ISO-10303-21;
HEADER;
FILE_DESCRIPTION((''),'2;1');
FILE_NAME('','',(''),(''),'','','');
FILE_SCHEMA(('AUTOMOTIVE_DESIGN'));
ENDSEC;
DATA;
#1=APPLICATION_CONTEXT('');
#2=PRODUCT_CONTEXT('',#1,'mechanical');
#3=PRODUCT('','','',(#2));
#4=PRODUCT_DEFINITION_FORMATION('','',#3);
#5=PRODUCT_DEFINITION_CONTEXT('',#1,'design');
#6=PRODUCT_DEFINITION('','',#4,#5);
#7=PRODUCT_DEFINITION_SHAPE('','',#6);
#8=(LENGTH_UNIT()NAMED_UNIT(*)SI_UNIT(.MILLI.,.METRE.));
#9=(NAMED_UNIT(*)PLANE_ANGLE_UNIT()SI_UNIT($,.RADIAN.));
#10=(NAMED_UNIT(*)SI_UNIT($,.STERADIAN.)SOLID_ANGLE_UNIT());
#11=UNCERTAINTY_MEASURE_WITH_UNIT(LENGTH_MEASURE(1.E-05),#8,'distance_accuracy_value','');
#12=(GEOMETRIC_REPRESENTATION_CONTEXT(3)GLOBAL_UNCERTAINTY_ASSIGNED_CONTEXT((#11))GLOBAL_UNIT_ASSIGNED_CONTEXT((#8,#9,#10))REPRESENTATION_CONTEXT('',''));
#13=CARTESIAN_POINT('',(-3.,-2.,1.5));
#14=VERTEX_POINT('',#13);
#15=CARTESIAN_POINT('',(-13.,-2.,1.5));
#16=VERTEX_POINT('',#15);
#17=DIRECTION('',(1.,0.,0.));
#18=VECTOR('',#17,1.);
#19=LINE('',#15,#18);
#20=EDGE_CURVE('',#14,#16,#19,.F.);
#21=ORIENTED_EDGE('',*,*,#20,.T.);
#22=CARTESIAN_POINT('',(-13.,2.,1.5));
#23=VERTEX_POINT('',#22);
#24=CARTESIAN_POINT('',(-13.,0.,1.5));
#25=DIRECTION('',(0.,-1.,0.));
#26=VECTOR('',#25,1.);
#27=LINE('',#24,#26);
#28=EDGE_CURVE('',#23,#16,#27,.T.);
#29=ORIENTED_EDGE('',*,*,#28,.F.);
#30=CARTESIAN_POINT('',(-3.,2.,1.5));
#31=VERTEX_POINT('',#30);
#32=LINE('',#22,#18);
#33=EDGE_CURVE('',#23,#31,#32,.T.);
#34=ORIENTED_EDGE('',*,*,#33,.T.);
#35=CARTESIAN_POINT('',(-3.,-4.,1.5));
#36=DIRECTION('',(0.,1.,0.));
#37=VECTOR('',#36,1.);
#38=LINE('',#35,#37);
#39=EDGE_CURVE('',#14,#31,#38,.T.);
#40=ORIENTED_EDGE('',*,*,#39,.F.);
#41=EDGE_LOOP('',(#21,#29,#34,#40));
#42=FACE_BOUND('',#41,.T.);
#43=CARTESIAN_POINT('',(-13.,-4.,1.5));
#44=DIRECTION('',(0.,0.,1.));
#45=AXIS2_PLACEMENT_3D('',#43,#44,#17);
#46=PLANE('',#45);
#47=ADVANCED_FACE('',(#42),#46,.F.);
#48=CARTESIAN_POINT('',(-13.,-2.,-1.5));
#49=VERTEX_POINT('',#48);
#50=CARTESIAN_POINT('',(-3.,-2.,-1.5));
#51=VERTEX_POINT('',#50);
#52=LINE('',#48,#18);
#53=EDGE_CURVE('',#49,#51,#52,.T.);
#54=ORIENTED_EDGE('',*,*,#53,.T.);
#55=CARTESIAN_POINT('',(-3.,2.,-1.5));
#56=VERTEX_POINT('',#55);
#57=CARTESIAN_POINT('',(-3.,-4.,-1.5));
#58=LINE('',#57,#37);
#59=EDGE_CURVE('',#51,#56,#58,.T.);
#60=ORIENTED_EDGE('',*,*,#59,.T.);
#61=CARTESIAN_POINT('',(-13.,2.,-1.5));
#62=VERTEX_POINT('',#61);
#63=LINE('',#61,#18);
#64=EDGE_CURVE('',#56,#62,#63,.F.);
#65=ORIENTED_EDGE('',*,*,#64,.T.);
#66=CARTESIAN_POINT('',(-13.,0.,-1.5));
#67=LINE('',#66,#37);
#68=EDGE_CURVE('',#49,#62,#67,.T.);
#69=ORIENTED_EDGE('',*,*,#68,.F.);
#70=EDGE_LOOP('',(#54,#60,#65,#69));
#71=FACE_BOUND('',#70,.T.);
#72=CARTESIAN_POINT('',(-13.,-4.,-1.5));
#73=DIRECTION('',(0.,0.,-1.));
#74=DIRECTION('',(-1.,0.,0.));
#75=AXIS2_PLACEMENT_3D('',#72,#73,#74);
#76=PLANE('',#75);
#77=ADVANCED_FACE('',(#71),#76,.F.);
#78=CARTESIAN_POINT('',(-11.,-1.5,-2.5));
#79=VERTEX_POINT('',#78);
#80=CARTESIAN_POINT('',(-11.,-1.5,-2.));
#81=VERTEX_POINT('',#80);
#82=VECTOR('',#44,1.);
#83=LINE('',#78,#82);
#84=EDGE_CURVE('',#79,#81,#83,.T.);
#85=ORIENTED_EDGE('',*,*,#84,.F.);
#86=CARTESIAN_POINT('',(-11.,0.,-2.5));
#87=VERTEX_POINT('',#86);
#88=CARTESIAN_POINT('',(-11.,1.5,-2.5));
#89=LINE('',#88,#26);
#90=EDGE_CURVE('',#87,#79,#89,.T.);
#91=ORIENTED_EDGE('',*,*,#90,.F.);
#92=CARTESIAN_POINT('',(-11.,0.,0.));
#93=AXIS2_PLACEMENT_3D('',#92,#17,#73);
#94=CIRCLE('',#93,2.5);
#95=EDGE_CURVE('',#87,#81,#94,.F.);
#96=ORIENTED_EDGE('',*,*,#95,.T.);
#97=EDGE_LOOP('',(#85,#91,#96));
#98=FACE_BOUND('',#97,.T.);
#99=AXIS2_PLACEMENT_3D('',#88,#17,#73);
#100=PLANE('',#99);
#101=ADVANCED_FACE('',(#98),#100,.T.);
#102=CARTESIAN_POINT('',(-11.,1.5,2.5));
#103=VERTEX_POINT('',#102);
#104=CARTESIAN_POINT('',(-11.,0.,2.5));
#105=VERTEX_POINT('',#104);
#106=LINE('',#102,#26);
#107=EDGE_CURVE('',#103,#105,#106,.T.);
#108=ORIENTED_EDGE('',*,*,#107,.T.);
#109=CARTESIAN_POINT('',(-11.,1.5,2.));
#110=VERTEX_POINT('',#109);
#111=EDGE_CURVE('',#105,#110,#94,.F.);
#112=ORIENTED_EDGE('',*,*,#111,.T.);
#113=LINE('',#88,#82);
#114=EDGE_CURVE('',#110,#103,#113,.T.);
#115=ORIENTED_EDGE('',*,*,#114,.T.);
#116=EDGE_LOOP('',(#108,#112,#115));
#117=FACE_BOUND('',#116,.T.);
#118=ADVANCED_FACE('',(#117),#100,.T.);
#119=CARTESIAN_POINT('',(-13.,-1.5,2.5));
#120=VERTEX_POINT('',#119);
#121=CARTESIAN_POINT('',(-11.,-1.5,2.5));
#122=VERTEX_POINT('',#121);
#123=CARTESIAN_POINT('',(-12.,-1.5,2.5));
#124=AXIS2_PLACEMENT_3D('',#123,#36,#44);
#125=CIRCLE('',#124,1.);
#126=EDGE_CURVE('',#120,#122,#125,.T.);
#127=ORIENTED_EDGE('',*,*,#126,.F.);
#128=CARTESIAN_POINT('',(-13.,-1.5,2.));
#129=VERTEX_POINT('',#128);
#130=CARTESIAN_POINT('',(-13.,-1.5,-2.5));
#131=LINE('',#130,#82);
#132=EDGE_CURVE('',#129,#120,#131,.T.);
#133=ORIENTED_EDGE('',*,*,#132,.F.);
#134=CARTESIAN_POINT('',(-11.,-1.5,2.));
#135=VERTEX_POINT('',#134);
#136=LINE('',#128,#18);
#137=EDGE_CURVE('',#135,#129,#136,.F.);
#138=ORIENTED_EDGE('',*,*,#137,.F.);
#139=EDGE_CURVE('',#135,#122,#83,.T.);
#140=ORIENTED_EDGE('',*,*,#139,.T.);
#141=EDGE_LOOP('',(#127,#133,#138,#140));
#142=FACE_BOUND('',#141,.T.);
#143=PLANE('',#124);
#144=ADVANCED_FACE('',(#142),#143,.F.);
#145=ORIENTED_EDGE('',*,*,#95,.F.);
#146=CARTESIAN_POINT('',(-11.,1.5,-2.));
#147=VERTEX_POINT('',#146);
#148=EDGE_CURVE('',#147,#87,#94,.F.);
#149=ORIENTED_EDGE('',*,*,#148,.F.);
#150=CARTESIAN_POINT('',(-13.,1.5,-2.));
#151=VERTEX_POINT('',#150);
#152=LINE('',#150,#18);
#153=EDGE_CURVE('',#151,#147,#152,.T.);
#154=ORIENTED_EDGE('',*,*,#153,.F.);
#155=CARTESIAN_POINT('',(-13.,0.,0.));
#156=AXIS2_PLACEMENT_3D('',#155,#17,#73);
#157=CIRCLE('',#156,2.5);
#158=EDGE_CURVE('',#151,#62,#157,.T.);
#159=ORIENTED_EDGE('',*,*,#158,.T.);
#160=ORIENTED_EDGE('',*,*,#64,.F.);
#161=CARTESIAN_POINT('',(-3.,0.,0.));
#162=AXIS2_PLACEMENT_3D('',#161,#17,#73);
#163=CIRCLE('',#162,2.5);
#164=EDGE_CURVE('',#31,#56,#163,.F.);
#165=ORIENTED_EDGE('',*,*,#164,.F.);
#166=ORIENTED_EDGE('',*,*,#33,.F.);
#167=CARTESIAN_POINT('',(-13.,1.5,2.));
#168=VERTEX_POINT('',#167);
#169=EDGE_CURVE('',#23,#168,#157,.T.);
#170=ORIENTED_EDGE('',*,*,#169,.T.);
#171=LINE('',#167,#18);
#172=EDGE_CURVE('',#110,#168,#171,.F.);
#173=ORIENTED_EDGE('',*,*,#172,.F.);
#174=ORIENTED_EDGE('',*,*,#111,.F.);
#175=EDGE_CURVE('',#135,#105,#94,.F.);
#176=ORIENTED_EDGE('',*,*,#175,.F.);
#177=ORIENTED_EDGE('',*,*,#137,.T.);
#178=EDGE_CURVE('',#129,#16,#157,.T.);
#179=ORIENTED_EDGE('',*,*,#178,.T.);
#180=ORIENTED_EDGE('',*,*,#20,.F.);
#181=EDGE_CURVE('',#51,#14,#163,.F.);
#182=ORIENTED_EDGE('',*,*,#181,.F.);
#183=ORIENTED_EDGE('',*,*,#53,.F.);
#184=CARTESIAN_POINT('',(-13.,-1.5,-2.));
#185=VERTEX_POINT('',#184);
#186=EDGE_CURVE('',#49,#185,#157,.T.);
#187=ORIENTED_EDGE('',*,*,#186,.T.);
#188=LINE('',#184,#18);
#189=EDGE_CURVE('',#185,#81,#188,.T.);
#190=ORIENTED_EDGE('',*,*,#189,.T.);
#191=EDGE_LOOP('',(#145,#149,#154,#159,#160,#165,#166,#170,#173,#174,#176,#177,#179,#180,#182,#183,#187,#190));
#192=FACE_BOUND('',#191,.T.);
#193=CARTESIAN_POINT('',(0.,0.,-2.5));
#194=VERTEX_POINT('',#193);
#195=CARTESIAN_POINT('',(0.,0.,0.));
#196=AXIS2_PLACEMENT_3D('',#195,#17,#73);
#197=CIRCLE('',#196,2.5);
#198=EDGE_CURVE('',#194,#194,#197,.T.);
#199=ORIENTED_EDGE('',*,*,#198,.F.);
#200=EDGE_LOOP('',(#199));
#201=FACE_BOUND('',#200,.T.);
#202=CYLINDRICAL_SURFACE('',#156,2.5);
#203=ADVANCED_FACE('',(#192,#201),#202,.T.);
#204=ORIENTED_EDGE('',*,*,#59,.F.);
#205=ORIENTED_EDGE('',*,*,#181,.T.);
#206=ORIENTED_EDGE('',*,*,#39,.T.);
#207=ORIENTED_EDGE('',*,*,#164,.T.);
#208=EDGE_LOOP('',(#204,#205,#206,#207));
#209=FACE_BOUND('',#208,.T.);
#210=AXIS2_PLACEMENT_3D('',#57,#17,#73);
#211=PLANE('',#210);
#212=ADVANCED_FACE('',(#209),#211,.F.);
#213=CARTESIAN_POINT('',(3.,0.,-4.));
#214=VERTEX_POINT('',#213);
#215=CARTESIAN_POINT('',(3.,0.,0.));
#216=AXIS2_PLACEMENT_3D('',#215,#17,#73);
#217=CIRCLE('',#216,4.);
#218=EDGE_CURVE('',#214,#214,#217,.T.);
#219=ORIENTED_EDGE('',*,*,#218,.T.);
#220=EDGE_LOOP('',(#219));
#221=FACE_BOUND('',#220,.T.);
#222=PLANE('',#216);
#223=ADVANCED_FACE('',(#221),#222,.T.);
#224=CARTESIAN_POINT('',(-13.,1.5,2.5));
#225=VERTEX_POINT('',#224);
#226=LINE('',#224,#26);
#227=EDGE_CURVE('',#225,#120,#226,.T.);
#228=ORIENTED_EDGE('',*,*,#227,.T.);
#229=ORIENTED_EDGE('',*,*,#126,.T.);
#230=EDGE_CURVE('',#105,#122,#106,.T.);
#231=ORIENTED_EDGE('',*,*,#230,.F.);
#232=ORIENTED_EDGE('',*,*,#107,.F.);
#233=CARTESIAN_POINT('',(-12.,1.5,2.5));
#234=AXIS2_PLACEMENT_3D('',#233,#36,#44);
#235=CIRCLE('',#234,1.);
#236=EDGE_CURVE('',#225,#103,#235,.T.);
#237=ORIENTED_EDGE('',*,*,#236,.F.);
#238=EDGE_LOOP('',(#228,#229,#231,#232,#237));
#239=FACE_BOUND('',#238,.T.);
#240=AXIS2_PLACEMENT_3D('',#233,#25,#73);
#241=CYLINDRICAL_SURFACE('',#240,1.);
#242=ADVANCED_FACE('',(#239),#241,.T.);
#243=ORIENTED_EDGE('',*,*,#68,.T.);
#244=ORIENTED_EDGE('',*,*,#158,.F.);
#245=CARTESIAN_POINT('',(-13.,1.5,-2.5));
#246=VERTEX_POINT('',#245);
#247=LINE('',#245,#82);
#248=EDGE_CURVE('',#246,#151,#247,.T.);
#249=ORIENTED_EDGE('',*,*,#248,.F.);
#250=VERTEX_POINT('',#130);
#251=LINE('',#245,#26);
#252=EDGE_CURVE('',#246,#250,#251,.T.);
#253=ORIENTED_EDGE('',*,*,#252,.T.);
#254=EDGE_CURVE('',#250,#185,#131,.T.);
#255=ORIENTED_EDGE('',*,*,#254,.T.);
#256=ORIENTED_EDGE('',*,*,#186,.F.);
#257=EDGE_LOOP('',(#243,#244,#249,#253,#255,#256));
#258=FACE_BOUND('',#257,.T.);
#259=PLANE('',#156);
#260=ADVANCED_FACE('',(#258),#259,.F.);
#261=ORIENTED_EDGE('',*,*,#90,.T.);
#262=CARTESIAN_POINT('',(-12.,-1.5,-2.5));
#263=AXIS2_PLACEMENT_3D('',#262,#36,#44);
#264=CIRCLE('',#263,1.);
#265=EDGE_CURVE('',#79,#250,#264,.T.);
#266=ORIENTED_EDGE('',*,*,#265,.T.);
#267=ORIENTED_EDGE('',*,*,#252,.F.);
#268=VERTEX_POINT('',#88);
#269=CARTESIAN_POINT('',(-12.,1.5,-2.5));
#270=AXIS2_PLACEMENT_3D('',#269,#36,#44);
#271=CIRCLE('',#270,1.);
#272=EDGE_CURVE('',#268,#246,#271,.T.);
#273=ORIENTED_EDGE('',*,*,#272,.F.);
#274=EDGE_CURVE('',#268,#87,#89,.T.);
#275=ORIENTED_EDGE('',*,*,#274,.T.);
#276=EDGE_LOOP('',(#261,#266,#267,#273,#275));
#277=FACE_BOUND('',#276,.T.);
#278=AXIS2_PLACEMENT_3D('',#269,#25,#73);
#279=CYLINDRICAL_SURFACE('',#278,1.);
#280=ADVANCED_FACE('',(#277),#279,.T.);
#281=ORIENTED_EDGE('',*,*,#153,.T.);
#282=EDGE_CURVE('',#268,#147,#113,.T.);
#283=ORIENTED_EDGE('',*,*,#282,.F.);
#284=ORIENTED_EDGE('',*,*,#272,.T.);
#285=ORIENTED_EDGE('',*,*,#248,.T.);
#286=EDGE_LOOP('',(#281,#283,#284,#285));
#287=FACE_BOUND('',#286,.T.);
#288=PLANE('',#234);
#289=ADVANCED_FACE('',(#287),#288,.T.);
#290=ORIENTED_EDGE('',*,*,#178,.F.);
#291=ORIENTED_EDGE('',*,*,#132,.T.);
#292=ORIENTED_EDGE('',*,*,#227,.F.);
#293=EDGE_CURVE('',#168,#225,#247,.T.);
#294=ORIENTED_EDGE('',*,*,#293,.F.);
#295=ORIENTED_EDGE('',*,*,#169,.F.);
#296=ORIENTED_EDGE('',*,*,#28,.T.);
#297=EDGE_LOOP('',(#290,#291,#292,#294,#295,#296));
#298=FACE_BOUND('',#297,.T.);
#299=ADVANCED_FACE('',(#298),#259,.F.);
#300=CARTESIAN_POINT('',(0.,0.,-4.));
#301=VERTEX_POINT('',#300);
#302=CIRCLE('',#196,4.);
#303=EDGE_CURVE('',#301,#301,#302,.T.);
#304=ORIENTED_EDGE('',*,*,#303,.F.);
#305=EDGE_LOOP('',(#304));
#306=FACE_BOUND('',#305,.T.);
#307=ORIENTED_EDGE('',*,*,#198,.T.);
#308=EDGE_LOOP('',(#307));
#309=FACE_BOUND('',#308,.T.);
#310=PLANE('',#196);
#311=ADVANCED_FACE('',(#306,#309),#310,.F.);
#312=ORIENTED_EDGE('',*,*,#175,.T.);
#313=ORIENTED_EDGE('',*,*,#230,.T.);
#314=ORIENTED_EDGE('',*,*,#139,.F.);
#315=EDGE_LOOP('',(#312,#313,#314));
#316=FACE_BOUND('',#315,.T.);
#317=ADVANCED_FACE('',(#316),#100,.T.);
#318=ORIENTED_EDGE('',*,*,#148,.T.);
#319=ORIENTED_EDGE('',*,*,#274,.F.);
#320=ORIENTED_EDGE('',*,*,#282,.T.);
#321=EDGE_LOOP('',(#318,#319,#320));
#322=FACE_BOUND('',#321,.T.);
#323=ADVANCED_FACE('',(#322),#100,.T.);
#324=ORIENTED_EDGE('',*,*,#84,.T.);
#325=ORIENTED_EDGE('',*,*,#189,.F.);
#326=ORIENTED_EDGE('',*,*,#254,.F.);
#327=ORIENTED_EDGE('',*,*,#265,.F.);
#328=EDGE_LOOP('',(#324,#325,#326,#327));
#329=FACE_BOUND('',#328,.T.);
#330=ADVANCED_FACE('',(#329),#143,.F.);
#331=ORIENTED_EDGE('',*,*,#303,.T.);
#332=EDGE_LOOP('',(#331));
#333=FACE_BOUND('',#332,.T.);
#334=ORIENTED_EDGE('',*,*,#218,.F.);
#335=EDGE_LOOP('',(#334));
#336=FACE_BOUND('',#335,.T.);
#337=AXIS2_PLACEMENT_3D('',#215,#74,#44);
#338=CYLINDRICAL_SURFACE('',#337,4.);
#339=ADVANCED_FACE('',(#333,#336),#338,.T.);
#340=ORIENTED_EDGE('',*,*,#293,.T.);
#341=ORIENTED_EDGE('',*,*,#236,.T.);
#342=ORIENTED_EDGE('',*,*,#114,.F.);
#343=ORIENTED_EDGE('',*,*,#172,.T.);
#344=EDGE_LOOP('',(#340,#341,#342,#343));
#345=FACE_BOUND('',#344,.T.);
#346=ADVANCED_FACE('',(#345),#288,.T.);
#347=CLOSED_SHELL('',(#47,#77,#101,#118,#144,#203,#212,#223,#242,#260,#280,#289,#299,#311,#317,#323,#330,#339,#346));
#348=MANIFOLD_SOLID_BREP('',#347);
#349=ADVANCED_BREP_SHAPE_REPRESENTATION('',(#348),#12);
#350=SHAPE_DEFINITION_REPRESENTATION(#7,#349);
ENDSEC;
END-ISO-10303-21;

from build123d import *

# Parameters (mm, degrees)
SKETCH1_R               = 4
BOSS_EXTRUDE1_DEPTH     = 3
SKETCH1_3_R             = 2.5
BOSS_EXTRUDE2_DEPTH     = 13
BOSS_EXTRUDE3_DEPTH     = 1.5
CUT_EXTRUDE1_DEPTH      = 15.177446879
CUT_EXTRUDE1_DEPTH_BACK = 15.177446879
SKETCH2_W               = 10
SKETCH2_H               = 3


with BuildPart() as part:
    # Sketch1 → Boss-Extrude1 (new body)
    with BuildSketch(Plane(origin=(0, 0, 0), x_dir=(0, 0, -1), z_dir=(1, 0, 0))):
        Circle(SKETCH1_R)
    extrude(amount=BOSS_EXTRUDE1_DEPTH)

    # Sketch1<3> → Boss-Extrude2 (add)
    with BuildSketch(Plane(origin=(0, 0, 0), x_dir=(0, 0, -1), z_dir=(1, 0, 0))):
        Circle(SKETCH1_3_R)
    extrude(amount=-BOSS_EXTRUDE2_DEPTH)

    # Sketch3 → Boss-Extrude3 (add, symmetric)
    with BuildSketch(Plane(origin=(0, 0, 0), x_dir=(1, 0, 0), z_dir=(0, 1, 0))):
        with BuildLine():
            Line((-11, 2.5), (-11, -2.5))
            ThreePointArc((-11, -2.5), (-12, -3.5), (-13, -2.5))
            Line((-13, -2.5), (-13, 2.5))
            ThreePointArc((-13, 2.5), (-12, 3.5), (-11, 2.5))
        make_face()
    extrude(amount=BOSS_EXTRUDE3_DEPTH, both=True)

    # Sketch2 → Cut-Extrude1 (cut, two sides: drawn at the far end of the back side and taken through both)
    with BuildSketch(Plane(origin=(0, 0, 0), x_dir=(1, 0, 0), z_dir=(0, 1, 0)).offset(-CUT_EXTRUDE1_DEPTH_BACK)):
        with Locations((-8, 0)):
            Rectangle(SKETCH2_W, SKETCH2_H)
    extrude(amount=CUT_EXTRUDE1_DEPTH + CUT_EXTRUDE1_DEPTH_BACK, mode=Mode.SUBTRACT)


solid = part.part
